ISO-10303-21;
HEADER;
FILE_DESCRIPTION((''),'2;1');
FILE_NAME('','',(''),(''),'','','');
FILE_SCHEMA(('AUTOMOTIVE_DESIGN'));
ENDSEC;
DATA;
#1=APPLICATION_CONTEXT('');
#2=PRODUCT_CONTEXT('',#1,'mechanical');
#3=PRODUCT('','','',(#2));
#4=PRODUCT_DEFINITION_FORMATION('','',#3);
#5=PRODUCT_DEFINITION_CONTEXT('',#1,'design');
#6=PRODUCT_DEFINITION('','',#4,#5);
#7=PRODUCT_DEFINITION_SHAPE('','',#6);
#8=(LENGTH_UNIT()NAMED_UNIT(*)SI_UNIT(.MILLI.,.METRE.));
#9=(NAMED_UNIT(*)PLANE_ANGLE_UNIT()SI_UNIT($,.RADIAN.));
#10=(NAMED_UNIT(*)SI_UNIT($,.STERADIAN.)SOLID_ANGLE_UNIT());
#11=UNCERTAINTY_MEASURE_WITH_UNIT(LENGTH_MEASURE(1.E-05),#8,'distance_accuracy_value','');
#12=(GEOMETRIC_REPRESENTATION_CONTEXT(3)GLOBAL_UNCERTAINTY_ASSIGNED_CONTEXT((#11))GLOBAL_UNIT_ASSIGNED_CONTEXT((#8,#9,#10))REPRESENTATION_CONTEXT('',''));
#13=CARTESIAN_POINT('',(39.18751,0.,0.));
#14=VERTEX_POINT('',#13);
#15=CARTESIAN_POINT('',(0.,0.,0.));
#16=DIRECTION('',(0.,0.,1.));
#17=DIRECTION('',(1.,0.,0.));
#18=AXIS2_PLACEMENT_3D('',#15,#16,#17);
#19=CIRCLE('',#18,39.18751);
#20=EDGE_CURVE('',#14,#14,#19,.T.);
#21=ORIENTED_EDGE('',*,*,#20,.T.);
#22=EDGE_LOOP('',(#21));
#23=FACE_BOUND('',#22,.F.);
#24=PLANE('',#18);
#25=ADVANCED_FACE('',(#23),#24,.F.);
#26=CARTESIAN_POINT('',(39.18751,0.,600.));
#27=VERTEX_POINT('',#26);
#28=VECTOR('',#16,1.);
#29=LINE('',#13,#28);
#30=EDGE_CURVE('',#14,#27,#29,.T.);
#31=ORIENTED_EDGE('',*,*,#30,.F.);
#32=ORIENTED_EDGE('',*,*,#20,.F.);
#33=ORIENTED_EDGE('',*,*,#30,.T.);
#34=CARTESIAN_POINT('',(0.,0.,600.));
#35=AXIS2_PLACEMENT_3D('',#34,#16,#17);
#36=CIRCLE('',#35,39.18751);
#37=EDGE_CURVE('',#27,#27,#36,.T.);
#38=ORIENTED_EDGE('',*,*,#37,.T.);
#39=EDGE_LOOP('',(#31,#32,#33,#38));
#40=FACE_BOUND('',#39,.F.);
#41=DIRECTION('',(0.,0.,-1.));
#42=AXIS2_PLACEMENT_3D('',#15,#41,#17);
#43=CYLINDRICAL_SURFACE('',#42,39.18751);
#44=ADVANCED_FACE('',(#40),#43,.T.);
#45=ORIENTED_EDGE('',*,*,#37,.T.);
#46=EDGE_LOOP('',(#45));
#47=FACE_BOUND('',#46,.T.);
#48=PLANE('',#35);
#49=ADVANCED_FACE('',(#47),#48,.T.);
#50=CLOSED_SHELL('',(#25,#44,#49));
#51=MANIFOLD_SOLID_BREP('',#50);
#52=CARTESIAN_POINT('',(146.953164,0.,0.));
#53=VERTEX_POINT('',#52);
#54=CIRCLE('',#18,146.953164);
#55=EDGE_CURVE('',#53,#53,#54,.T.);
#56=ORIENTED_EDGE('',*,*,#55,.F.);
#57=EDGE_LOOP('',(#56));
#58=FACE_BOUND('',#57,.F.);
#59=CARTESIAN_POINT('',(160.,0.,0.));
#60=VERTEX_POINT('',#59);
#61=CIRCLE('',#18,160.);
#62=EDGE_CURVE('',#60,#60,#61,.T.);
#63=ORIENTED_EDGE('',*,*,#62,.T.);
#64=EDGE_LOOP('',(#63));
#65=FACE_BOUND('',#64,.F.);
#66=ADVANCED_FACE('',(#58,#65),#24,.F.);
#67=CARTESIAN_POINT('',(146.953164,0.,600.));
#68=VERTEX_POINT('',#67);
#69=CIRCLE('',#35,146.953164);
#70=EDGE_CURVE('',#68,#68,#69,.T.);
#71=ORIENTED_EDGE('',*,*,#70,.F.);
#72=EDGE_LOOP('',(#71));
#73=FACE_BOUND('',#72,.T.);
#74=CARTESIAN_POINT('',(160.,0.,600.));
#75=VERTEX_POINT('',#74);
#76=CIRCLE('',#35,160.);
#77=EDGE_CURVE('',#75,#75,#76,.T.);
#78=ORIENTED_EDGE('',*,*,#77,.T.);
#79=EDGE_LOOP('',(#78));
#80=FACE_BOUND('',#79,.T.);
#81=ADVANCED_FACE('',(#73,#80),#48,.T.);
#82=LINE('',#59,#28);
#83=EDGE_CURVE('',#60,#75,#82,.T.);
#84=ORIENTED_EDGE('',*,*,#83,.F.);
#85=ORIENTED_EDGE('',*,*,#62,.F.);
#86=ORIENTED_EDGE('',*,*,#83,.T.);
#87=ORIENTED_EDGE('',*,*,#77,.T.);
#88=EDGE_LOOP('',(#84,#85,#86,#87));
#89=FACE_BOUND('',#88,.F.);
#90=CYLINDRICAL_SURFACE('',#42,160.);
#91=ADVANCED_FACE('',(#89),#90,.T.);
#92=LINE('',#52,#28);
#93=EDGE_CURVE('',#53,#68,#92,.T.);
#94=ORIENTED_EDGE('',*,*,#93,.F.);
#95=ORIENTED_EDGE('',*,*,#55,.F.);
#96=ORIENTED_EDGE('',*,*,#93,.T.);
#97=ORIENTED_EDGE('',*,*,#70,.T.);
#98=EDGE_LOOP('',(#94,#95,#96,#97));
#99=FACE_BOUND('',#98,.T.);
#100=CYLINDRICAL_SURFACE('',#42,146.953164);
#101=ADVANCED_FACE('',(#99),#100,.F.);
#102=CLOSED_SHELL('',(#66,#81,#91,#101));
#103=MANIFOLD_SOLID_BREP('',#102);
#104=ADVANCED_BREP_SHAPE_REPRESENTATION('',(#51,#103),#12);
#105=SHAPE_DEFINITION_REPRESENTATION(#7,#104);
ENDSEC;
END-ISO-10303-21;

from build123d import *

# Parameters (mm, degrees)
F0_R     = 39.18751
F1_DEPTH = 600
F0_R_2   = 160
F0_R_3   = 146.953164
F2_DEPTH = 600


with BuildPart() as f1:
    # F0 (on Top) → F1 (new body)
    with BuildSketch(Plane.XY):
        Circle(F0_R)
    extrude(amount=F1_DEPTH)


with BuildPart() as f2:
    # F0 (on Top) → F2 (new body)
    with BuildSketch(Plane.XY):
        Circle(F0_R_2)
        Circle(F0_R_3, mode=Mode.SUBTRACT)
    extrude(amount=F2_DEPTH)


solid = Compound([f1.part, f2.part])
